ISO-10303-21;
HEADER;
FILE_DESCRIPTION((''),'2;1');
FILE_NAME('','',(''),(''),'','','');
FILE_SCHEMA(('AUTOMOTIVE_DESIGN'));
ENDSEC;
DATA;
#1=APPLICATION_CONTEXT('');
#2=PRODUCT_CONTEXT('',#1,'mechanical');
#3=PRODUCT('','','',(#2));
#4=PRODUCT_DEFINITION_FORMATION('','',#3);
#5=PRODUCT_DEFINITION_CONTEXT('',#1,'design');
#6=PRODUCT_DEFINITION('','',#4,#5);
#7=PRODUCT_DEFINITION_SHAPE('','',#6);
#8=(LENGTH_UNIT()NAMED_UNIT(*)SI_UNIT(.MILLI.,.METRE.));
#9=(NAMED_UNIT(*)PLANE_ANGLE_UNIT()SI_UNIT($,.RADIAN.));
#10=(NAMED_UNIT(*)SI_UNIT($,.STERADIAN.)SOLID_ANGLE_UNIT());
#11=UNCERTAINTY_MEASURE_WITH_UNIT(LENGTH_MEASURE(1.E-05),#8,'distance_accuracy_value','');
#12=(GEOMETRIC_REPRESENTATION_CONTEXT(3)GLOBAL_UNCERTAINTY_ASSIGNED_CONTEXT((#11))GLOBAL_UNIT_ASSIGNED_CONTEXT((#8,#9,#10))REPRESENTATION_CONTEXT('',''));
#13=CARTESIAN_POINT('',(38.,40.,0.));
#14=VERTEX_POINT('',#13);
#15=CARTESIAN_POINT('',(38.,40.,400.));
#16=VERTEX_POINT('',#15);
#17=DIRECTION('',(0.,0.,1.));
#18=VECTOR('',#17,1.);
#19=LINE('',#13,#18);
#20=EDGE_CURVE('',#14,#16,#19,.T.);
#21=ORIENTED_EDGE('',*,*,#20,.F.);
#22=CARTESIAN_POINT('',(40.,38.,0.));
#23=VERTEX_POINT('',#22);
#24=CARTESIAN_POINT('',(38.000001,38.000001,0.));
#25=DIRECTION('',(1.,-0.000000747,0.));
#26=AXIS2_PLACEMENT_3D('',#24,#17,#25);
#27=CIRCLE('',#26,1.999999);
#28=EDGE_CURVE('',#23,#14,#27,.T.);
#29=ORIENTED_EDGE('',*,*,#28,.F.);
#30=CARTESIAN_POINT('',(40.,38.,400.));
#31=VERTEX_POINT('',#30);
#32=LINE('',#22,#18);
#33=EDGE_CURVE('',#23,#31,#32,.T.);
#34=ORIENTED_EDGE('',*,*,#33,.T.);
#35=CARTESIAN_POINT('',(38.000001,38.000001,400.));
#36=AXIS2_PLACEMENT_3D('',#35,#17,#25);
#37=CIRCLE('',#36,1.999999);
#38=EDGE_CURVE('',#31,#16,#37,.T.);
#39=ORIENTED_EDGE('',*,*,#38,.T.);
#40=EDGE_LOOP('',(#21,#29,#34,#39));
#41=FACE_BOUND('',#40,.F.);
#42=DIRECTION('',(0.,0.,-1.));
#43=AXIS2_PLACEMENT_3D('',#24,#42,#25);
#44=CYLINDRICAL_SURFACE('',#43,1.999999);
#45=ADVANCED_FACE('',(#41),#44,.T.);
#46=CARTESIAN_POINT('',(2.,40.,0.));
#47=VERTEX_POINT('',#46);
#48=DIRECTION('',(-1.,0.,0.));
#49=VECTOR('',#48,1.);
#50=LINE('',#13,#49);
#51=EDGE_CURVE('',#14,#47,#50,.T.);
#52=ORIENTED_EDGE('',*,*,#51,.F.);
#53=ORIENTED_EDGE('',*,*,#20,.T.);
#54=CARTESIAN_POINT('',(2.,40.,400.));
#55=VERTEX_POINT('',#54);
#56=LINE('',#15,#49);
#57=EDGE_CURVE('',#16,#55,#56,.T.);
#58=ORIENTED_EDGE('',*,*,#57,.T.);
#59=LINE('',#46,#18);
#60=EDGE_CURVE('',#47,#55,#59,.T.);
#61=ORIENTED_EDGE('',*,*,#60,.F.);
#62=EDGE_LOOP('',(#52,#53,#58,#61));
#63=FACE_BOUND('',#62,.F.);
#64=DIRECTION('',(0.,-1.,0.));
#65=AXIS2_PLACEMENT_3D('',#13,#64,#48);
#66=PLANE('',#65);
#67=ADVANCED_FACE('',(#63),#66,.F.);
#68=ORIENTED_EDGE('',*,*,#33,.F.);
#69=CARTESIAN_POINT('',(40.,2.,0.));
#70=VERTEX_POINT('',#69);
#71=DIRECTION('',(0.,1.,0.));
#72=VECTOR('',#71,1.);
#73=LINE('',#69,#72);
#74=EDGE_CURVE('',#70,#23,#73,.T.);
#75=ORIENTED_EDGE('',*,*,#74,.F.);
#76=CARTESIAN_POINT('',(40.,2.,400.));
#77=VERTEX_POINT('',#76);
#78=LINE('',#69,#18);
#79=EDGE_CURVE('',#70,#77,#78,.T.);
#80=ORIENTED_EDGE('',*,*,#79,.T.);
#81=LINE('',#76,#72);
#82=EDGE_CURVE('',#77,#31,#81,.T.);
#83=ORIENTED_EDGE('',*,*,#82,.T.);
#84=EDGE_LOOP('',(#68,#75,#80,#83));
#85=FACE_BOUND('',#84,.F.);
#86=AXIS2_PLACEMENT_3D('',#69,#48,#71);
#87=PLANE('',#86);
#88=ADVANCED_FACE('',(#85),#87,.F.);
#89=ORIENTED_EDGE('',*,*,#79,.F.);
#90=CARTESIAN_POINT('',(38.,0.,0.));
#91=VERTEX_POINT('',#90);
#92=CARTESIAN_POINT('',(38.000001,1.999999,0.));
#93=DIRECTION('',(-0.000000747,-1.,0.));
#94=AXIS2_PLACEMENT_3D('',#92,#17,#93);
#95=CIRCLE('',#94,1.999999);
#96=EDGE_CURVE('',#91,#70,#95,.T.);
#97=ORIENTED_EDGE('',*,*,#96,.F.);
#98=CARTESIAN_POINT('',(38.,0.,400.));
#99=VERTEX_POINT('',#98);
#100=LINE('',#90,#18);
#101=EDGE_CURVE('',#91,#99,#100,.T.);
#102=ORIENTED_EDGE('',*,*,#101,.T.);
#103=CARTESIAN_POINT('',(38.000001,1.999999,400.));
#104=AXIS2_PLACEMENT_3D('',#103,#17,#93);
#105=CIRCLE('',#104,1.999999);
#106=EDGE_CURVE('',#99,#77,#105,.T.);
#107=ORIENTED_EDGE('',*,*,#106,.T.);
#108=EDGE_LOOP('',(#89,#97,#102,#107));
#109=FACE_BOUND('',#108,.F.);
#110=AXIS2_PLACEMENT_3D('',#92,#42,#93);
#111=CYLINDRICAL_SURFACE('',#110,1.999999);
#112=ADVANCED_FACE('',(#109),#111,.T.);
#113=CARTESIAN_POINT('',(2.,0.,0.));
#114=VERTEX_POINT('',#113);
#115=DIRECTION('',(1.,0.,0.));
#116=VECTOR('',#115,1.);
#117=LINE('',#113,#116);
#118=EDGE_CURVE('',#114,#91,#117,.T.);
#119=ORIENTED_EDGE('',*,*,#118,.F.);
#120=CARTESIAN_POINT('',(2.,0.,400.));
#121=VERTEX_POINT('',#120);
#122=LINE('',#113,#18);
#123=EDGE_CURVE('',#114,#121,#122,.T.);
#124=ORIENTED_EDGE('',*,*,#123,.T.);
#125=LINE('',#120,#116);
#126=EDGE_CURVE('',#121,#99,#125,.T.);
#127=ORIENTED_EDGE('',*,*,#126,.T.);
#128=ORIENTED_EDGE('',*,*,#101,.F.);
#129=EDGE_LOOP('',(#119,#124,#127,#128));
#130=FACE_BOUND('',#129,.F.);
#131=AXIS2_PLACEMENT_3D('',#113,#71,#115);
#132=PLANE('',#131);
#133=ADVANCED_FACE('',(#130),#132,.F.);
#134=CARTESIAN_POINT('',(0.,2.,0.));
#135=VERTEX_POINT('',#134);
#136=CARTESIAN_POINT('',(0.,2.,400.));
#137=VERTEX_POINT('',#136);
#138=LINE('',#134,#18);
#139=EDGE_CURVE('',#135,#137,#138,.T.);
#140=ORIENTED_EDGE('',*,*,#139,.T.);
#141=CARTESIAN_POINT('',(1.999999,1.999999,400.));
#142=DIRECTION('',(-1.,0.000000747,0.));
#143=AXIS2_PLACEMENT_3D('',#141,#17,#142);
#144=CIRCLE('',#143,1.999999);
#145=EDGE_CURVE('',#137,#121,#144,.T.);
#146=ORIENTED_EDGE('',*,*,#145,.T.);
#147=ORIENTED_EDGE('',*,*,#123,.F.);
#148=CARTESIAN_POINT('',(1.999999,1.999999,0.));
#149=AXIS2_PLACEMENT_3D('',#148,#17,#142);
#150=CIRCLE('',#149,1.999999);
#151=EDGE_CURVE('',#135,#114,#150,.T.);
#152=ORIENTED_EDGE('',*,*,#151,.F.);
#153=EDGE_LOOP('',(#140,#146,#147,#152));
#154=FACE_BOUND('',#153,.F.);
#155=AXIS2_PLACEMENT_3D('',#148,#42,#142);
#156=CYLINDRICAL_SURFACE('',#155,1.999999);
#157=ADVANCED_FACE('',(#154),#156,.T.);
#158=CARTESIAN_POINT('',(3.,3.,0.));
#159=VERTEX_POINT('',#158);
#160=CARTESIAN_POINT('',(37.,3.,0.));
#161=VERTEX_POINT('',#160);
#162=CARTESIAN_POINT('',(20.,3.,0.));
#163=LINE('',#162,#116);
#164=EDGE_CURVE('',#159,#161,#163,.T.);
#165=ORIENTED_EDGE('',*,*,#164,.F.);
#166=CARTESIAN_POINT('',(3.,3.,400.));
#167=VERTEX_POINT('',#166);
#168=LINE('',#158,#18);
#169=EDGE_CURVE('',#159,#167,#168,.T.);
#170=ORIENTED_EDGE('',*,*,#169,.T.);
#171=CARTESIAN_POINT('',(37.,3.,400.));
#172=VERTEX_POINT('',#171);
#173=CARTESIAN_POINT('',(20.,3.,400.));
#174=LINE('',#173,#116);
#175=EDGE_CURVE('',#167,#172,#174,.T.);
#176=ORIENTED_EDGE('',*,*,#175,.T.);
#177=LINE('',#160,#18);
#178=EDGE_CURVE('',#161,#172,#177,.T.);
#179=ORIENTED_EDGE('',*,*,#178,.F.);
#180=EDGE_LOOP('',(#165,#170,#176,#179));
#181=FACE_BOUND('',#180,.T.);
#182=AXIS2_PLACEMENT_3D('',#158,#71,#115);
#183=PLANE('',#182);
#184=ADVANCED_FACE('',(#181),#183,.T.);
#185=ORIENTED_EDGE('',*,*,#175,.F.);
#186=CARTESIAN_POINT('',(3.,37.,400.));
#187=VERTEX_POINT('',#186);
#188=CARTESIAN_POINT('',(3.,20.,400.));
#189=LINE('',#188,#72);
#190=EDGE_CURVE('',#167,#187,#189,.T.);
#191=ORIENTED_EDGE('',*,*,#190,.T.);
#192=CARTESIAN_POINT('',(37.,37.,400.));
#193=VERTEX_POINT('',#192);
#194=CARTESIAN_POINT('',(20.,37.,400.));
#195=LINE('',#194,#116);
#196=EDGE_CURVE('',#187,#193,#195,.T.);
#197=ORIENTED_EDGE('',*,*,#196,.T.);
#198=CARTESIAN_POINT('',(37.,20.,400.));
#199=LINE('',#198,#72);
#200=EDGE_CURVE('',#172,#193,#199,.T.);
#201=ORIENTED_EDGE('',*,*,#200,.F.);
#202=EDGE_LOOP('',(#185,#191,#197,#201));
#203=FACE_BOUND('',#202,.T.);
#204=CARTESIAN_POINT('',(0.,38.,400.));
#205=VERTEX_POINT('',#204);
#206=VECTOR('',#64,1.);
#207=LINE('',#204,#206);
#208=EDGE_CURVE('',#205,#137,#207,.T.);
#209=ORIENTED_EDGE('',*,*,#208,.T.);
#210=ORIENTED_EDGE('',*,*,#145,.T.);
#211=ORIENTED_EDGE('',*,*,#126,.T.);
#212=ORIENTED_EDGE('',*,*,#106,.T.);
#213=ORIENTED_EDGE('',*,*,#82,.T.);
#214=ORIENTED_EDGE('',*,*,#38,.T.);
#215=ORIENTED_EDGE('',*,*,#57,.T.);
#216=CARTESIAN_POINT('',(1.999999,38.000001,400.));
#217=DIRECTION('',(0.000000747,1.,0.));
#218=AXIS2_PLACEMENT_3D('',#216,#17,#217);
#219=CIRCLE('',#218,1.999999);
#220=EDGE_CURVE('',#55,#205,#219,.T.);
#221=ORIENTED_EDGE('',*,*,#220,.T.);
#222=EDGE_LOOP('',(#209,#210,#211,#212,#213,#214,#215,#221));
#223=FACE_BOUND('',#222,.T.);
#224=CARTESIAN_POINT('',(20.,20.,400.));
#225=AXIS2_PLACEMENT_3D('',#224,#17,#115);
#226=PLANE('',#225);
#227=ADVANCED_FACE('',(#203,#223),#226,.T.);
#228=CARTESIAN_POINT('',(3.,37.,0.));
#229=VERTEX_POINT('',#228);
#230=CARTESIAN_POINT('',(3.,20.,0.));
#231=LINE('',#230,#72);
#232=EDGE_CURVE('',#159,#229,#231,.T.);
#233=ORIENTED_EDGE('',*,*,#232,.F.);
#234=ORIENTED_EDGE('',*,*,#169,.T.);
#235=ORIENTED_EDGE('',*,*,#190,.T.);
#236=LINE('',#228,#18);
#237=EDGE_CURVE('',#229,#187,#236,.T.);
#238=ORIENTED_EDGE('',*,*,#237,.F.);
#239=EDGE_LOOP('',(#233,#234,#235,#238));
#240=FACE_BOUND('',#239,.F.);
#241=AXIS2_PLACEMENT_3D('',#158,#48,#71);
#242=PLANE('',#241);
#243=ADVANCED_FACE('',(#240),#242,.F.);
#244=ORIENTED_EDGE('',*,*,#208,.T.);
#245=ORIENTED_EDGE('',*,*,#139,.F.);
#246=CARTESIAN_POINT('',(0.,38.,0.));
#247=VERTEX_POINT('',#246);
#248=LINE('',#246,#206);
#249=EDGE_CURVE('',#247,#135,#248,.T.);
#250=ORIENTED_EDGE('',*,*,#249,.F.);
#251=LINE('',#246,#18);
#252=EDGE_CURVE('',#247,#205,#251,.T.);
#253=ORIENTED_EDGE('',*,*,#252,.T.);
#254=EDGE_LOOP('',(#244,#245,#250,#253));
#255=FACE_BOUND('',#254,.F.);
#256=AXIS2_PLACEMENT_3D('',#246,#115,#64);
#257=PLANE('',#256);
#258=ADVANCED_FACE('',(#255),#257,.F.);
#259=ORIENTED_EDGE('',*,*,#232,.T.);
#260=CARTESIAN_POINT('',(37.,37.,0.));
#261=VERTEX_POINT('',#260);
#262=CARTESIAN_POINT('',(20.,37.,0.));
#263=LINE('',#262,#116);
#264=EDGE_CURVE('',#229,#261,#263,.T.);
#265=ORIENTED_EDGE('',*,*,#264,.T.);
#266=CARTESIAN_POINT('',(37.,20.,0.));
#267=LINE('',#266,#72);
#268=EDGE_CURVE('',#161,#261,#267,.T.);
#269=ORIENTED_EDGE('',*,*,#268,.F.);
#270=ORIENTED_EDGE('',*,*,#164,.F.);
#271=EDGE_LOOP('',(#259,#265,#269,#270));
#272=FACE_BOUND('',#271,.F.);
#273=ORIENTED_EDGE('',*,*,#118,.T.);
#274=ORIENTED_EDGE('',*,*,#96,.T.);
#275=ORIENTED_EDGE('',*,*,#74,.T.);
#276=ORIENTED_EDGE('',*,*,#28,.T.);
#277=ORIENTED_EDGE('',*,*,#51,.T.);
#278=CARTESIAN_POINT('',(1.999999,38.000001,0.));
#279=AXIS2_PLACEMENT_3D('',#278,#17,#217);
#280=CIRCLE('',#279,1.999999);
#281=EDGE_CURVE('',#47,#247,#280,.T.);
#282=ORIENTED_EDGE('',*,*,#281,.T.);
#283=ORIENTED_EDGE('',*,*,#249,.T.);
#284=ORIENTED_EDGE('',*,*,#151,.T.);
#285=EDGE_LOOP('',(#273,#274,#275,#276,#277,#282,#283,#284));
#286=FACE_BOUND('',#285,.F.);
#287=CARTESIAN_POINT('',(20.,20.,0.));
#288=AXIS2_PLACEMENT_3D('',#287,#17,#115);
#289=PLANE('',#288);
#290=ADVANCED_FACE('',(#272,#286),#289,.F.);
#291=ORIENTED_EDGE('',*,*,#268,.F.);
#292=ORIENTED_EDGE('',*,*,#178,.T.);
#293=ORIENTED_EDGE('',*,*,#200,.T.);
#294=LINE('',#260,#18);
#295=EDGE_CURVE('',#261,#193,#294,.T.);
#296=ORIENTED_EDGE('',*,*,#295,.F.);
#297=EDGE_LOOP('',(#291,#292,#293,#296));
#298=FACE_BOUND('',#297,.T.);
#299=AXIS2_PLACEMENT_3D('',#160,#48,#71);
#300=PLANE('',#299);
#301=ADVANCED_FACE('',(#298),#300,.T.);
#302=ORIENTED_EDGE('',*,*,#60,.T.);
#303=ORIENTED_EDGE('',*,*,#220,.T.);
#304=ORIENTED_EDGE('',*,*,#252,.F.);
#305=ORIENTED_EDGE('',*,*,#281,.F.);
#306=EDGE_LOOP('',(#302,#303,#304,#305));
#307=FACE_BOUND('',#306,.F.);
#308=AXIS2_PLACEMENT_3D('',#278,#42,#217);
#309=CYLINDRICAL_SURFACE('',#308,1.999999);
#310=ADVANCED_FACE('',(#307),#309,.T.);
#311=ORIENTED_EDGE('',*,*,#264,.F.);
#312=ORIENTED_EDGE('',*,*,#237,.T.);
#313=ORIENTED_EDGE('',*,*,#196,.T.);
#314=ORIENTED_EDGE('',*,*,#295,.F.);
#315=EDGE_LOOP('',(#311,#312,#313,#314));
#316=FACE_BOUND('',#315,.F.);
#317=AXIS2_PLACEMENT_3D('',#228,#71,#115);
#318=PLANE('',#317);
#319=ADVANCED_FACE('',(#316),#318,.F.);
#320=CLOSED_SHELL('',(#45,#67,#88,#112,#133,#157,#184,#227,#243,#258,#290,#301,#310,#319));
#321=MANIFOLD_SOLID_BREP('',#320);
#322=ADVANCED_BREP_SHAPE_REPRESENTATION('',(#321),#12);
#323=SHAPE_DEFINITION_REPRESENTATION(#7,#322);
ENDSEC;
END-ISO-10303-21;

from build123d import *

# Parameters (mm, degrees)
SKETCH_W  = 34
SKETCH_H  = 34
PAD_DEPTH = 400


with BuildPart() as part:
    # Sketch → Pad (new body)
    with BuildSketch(Plane.XY):
        with BuildLine():
            Line((2, 0), (38, 0))
            ThreePointArc((38, 0), (39.414214, 0.585786), (40, 2))
            Line((40, 2), (40, 38))
            ThreePointArc((40, 38), (39.414214, 39.414214), (38, 40))
            Line((38, 40), (2, 40))
            ThreePointArc((2, 40), (0.585786, 39.414214), (0, 38))
            Line((0, 38), (0, 2))
            ThreePointArc((0, 2), (0.585786, 0.585786), (2, 0))
        make_face()
        with Locations((20, 20)):
            Rectangle(SKETCH_W, SKETCH_H, mode=Mode.SUBTRACT)
    extrude(amount=PAD_DEPTH)


solid = part.part
